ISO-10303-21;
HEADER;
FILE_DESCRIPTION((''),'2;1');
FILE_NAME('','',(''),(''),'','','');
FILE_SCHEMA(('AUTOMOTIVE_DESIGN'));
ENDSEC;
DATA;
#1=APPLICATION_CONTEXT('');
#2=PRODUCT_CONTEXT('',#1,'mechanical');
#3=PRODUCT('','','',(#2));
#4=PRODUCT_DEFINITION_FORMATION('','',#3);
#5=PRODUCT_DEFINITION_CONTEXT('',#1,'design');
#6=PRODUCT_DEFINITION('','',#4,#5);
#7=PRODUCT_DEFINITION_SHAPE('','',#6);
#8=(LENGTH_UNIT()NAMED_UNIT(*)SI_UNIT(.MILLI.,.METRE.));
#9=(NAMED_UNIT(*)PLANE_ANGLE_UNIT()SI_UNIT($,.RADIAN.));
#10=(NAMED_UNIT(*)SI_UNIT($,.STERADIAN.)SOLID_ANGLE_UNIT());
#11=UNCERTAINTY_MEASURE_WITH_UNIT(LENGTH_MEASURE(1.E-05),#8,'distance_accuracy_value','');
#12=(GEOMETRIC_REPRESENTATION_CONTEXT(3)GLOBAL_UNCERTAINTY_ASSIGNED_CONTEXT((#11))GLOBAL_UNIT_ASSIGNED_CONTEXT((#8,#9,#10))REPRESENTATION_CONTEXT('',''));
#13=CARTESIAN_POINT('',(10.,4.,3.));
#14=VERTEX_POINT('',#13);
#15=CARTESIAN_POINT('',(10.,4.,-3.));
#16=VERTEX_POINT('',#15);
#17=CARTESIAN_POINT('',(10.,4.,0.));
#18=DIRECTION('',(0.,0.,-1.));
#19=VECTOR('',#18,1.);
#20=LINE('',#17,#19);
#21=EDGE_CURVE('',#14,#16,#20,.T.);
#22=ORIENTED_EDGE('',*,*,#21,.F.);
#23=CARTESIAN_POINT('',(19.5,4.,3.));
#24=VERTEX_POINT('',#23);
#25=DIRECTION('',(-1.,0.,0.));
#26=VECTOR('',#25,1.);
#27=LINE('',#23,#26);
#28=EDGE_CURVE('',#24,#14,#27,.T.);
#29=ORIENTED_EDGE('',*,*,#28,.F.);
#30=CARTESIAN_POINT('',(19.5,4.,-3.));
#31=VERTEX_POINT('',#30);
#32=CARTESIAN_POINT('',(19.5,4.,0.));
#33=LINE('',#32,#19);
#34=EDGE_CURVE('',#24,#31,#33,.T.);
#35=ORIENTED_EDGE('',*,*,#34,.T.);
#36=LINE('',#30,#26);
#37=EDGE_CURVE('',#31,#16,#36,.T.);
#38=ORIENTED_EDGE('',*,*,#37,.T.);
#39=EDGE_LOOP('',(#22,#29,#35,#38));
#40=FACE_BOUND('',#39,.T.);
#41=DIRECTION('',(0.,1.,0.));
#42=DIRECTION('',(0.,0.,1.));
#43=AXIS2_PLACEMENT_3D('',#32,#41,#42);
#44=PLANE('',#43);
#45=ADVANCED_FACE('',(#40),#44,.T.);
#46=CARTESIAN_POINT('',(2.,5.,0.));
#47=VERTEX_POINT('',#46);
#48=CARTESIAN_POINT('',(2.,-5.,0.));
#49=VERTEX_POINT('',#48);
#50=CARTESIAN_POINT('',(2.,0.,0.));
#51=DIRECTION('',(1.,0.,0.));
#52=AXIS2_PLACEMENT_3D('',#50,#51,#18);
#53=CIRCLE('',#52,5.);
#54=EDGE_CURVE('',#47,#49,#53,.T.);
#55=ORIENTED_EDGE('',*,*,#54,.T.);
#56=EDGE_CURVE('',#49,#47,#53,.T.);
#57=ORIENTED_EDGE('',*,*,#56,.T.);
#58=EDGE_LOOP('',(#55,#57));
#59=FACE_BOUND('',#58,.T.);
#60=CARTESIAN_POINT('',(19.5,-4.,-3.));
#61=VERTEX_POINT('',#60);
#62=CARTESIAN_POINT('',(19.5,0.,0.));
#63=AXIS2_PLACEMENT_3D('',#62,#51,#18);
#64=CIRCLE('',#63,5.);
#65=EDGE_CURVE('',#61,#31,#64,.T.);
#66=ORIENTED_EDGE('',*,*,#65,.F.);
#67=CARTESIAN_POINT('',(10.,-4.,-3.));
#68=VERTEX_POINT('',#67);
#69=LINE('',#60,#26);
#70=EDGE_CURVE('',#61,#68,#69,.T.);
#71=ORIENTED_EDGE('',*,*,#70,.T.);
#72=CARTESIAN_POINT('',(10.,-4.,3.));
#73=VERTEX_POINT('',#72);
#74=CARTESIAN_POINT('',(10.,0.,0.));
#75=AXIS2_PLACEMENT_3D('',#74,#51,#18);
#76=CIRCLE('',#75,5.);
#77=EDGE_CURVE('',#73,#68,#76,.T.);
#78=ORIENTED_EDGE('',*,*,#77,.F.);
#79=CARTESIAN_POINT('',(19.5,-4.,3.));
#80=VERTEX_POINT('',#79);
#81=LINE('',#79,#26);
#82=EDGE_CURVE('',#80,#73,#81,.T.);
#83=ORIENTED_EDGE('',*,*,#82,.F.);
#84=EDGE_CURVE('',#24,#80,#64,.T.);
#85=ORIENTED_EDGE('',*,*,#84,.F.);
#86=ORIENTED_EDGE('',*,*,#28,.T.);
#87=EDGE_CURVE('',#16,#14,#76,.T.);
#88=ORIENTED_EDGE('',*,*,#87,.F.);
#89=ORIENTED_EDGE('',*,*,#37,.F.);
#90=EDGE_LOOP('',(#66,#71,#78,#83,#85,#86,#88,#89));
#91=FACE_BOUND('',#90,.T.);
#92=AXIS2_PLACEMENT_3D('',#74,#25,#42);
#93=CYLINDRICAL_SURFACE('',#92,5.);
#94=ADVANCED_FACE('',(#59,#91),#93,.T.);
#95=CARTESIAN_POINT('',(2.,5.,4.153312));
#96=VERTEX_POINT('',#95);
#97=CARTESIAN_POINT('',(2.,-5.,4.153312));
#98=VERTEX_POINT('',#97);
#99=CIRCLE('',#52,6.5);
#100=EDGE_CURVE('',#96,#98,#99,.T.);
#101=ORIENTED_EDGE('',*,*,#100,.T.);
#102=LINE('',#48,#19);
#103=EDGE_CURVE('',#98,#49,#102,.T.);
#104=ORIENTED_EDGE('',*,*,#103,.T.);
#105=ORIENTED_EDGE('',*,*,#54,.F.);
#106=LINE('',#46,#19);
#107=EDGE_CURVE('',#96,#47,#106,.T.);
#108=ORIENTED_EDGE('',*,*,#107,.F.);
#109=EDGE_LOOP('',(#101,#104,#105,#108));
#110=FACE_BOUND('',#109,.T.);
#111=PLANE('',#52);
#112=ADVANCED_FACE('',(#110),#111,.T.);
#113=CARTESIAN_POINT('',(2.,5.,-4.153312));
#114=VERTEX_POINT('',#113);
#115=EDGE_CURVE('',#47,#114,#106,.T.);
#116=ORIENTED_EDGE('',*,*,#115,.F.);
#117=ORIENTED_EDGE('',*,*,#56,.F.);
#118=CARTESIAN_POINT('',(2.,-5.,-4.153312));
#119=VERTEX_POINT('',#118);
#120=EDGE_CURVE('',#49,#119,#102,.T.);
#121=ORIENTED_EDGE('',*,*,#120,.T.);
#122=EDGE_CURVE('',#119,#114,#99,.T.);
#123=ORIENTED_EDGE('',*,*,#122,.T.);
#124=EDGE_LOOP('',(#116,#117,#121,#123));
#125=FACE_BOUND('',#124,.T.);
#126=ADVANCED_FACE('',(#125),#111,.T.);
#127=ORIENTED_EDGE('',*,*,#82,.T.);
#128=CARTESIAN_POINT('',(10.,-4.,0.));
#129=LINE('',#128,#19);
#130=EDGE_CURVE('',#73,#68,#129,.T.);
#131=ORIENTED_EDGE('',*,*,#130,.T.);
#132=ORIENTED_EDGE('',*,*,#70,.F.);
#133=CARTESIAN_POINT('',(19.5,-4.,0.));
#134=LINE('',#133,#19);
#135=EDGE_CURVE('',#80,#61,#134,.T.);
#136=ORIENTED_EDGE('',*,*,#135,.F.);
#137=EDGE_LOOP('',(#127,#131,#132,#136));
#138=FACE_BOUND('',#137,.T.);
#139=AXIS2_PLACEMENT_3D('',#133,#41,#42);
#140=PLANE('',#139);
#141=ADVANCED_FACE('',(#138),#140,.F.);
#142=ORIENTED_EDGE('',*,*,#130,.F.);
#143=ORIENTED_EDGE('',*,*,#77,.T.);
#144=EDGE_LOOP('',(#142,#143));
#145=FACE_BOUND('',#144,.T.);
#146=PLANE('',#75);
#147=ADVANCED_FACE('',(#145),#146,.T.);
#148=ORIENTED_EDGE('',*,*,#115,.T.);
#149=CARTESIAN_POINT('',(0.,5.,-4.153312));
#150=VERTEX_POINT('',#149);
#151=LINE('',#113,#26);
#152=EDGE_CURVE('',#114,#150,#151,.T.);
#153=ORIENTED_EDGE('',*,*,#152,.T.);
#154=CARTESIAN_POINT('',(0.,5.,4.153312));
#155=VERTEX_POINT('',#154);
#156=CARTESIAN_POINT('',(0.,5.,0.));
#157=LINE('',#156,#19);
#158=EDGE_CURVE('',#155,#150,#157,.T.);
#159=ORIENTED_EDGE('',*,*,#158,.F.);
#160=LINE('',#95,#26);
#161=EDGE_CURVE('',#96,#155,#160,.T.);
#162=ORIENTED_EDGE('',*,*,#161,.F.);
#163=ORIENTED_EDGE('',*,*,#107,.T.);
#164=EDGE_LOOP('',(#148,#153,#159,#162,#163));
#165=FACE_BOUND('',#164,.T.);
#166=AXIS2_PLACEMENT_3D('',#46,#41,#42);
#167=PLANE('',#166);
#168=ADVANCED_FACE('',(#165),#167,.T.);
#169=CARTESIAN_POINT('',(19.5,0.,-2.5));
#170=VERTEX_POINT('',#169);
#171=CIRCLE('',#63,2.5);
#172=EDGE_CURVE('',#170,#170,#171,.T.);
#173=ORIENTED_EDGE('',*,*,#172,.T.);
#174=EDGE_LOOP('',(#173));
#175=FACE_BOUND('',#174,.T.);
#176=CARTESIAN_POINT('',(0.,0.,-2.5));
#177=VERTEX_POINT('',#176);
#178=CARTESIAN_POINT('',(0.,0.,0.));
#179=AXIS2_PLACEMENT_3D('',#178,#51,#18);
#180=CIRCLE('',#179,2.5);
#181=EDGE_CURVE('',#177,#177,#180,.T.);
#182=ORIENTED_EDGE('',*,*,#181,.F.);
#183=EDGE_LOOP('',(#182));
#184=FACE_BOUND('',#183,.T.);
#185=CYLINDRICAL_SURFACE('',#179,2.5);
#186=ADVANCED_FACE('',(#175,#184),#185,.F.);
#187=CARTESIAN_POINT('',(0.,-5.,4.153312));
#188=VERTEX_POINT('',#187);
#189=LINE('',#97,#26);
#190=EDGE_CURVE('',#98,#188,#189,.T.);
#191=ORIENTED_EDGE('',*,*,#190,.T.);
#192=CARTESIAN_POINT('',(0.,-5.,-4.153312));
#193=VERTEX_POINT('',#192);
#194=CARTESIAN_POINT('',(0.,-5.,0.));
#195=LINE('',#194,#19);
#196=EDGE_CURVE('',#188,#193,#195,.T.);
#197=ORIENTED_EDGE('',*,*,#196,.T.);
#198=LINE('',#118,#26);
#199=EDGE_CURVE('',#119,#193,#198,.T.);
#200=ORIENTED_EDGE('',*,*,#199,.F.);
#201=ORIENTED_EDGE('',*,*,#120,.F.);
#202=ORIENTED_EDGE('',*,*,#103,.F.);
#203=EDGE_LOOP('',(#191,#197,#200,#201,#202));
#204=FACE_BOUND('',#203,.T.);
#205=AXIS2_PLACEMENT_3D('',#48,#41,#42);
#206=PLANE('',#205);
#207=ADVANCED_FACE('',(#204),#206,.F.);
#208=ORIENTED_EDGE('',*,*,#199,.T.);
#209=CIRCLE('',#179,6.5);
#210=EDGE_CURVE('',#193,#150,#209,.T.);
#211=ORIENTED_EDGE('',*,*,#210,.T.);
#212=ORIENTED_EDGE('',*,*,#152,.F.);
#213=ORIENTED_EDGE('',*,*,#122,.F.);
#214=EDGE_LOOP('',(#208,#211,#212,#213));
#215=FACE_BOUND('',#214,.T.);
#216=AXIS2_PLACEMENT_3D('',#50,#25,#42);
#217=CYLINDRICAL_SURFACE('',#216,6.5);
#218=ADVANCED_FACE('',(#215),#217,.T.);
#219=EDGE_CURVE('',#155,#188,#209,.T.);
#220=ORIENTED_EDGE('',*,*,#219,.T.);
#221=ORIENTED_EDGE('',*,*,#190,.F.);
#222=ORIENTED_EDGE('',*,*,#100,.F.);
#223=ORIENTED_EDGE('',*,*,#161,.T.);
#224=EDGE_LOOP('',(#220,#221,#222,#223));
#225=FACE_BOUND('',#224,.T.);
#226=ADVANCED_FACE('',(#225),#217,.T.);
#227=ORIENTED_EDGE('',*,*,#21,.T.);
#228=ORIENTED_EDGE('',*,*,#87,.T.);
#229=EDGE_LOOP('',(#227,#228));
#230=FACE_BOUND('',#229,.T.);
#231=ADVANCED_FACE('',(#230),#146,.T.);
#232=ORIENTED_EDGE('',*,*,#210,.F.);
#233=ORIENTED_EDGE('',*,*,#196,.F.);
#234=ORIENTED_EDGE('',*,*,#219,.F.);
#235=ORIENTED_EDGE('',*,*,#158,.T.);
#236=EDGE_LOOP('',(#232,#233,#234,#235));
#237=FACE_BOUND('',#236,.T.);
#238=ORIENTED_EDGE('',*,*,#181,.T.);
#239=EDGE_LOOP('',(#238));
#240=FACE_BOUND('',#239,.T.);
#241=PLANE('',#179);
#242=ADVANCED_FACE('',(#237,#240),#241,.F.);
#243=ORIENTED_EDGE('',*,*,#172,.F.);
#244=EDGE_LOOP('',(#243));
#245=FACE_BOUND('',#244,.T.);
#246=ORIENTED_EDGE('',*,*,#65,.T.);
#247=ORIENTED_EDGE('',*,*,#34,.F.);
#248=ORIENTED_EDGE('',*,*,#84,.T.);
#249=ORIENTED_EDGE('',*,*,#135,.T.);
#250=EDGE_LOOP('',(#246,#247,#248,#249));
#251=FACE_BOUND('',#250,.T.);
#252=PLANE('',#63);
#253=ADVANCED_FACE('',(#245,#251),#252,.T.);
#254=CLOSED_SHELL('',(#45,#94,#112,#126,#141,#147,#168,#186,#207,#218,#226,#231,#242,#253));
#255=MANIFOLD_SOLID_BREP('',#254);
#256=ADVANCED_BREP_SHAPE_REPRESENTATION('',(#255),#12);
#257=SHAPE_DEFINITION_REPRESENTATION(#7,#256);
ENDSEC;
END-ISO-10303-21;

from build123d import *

# Parameters (mm, degrees)
SKETCH1_W           = 8.306623862
SKETCH1_H           = 10
BOSS_EXTRUDE1_DEPTH = 2
SKETCH2_R           = 5
BOSS_EXTRUDE2_DEPTH = 8
SKETCH3_W           = 6
SKETCH3_H           = 8
BOSS_EXTRUDE3_DEPTH = 9.5
SKETCH4_R           = 2.5
CUT_EXTRUDE1_DEPTH  = 20.5


with BuildPart() as part:
    # Sketch1 → Boss-Extrude1 (new body)
    with BuildSketch(Plane(origin=(0, 0, 0), x_dir=(0, 0, -1), z_dir=(1, 0, 0))):
        with BuildLine():
            Line((-4.153311931, -5), (-4.153311931, 5))
            ThreePointArc((-4.153311931, 5), (-6.5, 0), (-4.153311931, -5))
        make_face()
        Rectangle(SKETCH1_W, SKETCH1_H)
        with BuildLine():
            Line((4.153311931, -5), (4.153311931, 5))
            ThreePointArc((4.153311931, 5), (6.5, 0), (4.153311931, -5))
        make_face()
    extrude(amount=BOSS_EXTRUDE1_DEPTH)

    # Sketch2 → Boss-Extrude2 (add)
    with BuildSketch(Plane(origin=(2, 0, 0), x_dir=(0, 0, -1), z_dir=(1, 0, 0))):
        Circle(SKETCH2_R)
    extrude(amount=BOSS_EXTRUDE2_DEPTH)

    # Sketch3 → Boss-Extrude3 (add)
    with BuildSketch(Plane(origin=(10, 0, 0), x_dir=(0, 0, -1), z_dir=(1, 0, 0))):
        with BuildLine():
            ThreePointArc((-3, 4), (-5, 0), (-3, -4))
            Line((-3, -4), (-3, 4))
        make_face()
        Rectangle(SKETCH3_W, SKETCH3_H)
        with BuildLine():
            Line((3, 4), (3, -4))
            ThreePointArc((3, -4), (4.472135955, -2.236067977), (5, 0))
            ThreePointArc((5, 0), (4.472135955, 2.236067977), (3, 4))
        make_face()
    extrude(amount=BOSS_EXTRUDE3_DEPTH)

    # Sketch4 → Cut-Extrude1 (cut, through all)
    with BuildSketch(Plane(origin=(19.5, 0, 0), x_dir=(0, 0, -1), z_dir=(1, 0, 0))):
        Circle(SKETCH4_R)
    extrude(amount=-CUT_EXTRUDE1_DEPTH, mode=Mode.SUBTRACT)


solid = part.part
